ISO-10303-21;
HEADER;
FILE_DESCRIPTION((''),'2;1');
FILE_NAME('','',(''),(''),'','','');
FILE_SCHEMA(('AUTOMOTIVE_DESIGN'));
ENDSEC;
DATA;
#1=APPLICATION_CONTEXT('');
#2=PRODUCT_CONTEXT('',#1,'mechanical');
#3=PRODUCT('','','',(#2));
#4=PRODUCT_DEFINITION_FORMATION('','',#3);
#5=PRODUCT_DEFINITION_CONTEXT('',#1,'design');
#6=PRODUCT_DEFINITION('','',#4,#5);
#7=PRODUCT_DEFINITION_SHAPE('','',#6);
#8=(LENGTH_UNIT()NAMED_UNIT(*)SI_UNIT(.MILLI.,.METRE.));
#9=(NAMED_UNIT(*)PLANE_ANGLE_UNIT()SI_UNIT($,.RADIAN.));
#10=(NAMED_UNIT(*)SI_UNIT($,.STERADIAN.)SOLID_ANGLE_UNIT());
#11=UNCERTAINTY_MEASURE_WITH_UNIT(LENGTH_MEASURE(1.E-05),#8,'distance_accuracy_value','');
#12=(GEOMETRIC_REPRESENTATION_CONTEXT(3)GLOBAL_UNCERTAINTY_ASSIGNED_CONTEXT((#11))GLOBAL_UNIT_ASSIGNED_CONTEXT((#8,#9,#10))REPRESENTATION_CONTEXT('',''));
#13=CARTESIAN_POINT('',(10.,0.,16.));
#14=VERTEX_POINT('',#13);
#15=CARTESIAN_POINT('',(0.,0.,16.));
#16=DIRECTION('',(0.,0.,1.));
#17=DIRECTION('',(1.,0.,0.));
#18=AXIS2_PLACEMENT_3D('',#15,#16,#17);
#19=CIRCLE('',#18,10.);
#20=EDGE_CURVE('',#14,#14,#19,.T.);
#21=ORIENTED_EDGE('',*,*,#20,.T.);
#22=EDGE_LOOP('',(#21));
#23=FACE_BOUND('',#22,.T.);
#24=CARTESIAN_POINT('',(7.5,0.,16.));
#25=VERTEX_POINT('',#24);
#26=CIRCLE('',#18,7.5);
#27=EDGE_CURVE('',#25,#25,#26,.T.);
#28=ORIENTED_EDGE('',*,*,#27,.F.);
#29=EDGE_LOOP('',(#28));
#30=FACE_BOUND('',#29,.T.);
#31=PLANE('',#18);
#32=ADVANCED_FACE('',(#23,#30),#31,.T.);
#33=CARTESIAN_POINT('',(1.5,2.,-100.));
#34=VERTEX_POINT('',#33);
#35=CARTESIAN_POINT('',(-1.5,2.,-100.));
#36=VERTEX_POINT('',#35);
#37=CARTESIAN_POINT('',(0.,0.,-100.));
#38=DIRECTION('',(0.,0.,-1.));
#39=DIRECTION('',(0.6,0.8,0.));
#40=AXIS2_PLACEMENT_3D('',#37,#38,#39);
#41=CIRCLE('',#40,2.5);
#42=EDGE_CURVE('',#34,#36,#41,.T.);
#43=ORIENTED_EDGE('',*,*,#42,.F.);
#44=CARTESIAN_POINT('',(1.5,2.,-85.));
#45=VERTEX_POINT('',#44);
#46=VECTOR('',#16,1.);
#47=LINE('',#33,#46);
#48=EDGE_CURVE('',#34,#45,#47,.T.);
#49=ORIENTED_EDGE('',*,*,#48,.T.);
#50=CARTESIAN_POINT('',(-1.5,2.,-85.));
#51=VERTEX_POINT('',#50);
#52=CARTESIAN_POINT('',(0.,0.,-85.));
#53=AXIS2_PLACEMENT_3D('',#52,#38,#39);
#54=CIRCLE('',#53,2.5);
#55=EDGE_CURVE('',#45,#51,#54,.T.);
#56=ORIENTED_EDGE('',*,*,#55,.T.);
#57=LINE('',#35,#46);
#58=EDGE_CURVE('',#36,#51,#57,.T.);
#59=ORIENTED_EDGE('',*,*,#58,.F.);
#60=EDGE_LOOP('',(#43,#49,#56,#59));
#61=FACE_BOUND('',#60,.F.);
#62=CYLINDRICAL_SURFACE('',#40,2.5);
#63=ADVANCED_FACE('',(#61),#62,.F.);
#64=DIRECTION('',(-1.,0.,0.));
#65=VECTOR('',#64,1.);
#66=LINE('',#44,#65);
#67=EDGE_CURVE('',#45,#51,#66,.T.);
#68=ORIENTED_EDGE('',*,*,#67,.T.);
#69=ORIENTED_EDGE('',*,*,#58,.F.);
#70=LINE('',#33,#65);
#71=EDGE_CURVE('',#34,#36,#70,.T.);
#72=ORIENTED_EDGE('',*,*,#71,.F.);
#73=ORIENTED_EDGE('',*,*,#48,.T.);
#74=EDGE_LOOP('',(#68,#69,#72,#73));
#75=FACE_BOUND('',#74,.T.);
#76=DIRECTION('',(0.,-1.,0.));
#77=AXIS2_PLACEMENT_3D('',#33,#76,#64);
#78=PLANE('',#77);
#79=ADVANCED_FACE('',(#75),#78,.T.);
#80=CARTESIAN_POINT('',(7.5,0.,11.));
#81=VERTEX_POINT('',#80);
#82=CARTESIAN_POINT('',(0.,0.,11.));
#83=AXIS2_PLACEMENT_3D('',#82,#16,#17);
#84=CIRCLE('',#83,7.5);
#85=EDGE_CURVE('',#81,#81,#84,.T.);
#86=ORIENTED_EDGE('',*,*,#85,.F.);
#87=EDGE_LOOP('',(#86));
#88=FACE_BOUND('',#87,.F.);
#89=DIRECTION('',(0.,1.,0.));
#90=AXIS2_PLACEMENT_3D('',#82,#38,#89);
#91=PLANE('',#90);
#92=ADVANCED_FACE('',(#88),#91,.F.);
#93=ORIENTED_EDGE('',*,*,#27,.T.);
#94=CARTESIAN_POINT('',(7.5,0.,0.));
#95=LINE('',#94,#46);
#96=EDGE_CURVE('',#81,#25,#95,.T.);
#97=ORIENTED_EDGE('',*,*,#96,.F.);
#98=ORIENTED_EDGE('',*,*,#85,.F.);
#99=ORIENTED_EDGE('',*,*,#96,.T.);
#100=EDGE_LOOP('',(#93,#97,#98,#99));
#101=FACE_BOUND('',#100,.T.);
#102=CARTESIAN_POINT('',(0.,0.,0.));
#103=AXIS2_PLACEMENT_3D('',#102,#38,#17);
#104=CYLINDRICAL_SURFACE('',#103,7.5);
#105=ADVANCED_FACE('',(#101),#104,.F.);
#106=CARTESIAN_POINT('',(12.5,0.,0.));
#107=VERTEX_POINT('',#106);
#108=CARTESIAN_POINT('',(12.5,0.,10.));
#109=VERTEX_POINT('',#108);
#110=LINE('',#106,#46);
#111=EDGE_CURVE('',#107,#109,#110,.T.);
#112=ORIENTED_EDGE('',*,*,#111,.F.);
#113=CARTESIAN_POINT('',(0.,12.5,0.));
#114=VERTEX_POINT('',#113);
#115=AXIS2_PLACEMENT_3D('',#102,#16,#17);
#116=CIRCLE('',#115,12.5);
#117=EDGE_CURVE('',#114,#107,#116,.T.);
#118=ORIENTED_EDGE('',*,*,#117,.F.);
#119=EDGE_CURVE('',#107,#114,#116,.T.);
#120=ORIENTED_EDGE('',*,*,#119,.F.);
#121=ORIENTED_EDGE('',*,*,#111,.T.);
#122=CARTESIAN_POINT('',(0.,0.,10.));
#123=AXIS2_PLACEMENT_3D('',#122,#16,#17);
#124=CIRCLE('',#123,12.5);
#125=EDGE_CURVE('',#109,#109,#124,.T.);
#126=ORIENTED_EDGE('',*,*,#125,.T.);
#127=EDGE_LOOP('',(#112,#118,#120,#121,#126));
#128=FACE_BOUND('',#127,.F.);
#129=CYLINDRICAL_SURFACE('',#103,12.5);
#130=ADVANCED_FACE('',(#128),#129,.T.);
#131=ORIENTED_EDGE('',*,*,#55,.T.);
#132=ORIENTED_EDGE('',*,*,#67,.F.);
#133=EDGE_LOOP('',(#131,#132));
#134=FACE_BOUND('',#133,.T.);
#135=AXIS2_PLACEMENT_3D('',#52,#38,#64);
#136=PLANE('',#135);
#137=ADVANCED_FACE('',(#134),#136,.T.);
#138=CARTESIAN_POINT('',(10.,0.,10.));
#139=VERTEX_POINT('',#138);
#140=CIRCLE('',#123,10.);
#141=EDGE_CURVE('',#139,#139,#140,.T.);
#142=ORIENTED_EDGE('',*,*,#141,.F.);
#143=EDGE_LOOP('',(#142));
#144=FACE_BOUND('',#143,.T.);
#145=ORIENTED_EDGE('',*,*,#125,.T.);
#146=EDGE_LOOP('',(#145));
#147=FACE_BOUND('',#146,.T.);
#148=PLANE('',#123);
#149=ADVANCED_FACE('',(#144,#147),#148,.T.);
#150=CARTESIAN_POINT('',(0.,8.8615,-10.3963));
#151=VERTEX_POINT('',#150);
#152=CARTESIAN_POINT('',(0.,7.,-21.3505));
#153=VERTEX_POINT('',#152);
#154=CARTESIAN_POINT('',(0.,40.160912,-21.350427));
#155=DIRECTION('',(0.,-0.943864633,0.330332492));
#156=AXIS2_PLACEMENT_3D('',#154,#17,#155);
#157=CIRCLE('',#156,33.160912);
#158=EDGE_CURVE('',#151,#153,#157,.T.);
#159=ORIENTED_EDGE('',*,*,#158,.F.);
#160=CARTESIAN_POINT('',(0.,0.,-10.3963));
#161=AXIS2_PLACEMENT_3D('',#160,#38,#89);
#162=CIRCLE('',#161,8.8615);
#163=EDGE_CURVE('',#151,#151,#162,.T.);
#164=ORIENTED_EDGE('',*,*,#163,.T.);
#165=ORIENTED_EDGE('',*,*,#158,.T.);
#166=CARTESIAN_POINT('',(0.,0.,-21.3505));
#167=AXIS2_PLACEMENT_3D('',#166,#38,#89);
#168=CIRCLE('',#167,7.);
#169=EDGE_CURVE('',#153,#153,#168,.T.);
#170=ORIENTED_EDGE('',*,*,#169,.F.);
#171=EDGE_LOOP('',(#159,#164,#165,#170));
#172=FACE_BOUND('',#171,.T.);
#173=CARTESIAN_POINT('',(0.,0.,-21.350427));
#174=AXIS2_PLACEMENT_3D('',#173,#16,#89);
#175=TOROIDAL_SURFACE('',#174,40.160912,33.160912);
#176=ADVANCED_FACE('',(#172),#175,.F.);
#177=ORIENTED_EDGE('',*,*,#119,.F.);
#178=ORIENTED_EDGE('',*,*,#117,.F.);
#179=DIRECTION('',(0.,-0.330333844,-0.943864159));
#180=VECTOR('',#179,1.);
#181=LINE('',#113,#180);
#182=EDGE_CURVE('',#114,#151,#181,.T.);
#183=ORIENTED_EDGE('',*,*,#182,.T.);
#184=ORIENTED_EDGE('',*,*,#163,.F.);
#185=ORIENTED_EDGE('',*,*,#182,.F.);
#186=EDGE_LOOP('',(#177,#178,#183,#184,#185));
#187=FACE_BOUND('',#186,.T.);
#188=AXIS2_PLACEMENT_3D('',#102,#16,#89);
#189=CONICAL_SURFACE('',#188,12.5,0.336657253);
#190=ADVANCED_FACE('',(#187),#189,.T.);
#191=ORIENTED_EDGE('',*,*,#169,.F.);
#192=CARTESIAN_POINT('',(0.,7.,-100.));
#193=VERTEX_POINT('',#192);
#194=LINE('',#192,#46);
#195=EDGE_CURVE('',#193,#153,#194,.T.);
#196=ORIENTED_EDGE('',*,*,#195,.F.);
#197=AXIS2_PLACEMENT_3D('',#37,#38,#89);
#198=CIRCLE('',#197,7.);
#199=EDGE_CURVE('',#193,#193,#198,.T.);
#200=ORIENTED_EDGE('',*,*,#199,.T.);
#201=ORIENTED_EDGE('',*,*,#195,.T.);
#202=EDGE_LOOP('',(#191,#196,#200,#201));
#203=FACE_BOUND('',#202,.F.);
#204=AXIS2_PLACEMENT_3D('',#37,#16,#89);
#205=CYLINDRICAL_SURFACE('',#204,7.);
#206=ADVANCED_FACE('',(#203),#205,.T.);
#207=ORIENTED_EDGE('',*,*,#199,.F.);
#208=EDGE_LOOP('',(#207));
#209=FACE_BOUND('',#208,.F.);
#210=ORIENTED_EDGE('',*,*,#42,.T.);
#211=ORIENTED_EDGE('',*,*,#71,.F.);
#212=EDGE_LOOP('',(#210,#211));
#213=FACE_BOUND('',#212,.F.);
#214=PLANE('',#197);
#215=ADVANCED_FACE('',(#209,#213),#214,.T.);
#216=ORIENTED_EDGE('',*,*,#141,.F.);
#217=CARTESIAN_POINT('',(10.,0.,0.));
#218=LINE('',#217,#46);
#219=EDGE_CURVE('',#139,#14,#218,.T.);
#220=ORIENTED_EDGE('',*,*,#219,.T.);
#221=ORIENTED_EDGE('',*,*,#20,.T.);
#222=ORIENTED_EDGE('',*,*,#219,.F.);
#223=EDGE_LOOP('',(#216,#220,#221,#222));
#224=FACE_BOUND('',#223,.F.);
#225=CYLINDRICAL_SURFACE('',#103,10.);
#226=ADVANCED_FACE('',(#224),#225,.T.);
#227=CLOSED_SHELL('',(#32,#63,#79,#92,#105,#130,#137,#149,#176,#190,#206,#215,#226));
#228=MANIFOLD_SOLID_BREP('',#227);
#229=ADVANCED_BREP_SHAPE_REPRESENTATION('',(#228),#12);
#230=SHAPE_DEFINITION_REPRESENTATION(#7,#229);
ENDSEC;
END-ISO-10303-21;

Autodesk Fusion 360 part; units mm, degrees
sketch "Sketch5" plane through (0, 0, 0) normal (0, 0, 1) x (1, 0, 0)
  circle A0 centre (0, 0) radius 12.5
  circle A1 centre (0, 0) radius 10
  circle A2 centre (0, 0) radius 7.5
  dimension "d32" = 25
  dimension "d33" = 20
  dimension "d34" = 15
extrude "Extrude8" add sketch "Sketch5" along normal blind 10 contours A0
extrude "Extrude9" add sketch "Sketch5" along normal blind 16 contours A1
sketch "Sketch6" plane through (0, 0, 0) normal (1, 0, 0) x (0, 0, -1)
  line L0 (0, 0) -> (100, 0)
  line L1 (100, 0) -> (100, 7)
  line L2 (0, 12.5) -> (0, -12.5)
  line L3 (100, 7) -> (21.3505, 7)
  line L4 (0, 12.5) -> (10.3963, 8.8615)
  arc A0 (10.3963, 8.8615) -> (21.3505, 7) centre (21.3505, 40.1609) ccw
  dimension "d39" = 100
  dimension "d40" = 7
  dimension "d43" = 33.1609
revolve "Revolve2" add sketch "Sketch6" angle 360 about axis through (0, 0, 0) along (0, 0, -1)
sketch "Sketch7" plane through (0, 0, -100) normal (0, 0, -1) x (-1, 0, 0)
  circle A0 centre (0, 0) radius 7
  line L0 (-1.5, 2) -> (1.5, 2)
  arc A1 (-1.5, 2) -> (1.5, 2) centre (0, 0) ccw
  dimension "d1" = 5
extrude "Extrude10" cut sketch "Sketch7" against normal blind 15 contours L0 A1
extrude "Extrude11" add 1 faces at (-1.613, 0.9883, 0) along direction (0, 0, 1) blind 11
